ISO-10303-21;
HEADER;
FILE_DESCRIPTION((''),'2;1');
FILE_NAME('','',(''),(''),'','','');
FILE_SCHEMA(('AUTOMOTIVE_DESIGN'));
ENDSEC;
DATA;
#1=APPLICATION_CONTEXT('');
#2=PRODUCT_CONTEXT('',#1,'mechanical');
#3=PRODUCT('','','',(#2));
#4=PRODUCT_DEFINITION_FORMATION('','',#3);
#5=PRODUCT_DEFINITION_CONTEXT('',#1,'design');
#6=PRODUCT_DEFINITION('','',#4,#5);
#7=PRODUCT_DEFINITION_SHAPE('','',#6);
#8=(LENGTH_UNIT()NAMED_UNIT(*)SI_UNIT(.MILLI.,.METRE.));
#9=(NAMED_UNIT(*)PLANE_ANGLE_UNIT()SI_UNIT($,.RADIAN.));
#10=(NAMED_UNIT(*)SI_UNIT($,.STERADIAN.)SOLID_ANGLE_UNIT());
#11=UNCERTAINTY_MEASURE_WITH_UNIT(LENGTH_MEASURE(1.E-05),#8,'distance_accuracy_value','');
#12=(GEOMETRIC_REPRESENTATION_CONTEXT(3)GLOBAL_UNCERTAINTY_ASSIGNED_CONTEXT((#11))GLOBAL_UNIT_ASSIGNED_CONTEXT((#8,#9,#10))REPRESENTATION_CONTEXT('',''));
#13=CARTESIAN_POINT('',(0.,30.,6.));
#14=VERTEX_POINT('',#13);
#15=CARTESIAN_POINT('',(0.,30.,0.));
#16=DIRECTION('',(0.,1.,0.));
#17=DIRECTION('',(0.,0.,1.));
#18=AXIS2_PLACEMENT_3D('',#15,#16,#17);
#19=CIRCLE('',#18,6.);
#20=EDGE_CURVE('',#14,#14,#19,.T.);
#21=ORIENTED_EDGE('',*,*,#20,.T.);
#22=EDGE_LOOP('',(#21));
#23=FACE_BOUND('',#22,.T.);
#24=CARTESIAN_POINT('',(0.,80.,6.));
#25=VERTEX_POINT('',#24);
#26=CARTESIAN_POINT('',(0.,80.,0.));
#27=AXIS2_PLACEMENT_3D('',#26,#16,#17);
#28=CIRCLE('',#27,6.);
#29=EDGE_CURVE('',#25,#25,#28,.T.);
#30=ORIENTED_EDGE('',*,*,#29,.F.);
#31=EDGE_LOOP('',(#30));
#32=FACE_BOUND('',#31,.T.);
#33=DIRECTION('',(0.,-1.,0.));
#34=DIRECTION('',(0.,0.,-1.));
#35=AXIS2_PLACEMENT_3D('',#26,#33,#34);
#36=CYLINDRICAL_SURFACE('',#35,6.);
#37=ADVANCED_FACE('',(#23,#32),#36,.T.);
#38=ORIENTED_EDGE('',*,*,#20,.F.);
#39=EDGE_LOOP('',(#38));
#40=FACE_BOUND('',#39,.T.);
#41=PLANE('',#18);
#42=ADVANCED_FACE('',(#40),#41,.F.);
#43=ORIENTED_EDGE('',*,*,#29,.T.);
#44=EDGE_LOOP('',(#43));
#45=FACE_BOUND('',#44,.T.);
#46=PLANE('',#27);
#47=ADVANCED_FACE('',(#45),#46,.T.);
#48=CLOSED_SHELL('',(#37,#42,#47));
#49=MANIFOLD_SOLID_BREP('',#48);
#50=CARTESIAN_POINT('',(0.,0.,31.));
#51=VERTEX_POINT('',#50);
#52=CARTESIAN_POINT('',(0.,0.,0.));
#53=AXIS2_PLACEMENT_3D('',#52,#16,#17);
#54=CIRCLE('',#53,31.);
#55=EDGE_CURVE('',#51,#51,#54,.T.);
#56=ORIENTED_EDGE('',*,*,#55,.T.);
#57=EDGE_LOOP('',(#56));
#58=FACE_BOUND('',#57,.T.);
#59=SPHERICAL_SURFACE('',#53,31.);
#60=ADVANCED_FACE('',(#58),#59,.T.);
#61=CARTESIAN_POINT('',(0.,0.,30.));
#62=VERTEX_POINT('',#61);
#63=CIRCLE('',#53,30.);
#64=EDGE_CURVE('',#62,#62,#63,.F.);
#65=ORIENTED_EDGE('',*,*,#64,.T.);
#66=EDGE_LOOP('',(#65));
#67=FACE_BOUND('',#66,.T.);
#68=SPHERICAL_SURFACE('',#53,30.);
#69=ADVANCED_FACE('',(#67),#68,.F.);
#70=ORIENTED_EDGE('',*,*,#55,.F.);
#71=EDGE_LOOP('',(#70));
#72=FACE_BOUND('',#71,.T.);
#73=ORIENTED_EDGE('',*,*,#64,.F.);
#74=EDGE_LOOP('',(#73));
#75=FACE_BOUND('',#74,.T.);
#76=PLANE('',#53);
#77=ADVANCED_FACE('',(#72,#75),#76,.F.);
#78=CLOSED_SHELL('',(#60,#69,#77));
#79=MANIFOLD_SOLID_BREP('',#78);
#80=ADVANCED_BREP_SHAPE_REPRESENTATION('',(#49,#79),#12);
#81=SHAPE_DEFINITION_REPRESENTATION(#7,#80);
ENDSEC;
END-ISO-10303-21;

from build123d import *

# Parameters (mm, degrees)
SKETCH4_R           = 31
CUT_EXTRUDE1_DEPTH  = 50
SKETCH6_R           = 6
BOSS_EXTRUDE1_DEPTH = 50


with BuildPart() as part:
    # Sketch2 → Revolve-Thin1 (revolve)
    with BuildSketch(Plane(origin=(0, 0, 0), x_dir=(1, 0, 0), z_dir=(0, 1, 0))):
        with BuildLine():
            ThreePointArc((0, -30), (30, 0), (0, 30))
            Line((0, 30), (0, 31))
            ThreePointArc((0, 31), (31, 0), (0, -31))
            Line((0, -31), (0, -30))
        make_face()
    revolve(axis=Axis((0, 0, 40.153207951), (0, 0, -1)))

    # Sketch4 → Cut-Extrude1 (cut)
    with BuildSketch(Plane(origin=(0, 0, 0), x_dir=(1, 0, 0), z_dir=(0, 1, 0))):
        Circle(SKETCH4_R)
    extrude(amount=-CUT_EXTRUDE1_DEPTH, mode=Mode.SUBTRACT)


with BuildPart() as body_2:
    # Sketch6 → Boss-Extrude1 (new body)
    with BuildSketch(Plane(origin=(0, 30, 0), x_dir=(1, 0, 0), z_dir=(0, 1, 0))):
        with Locations(Location((0, 0, 0), (0, 0, 270))):
            Circle(SKETCH6_R)
    extrude(amount=BOSS_EXTRUDE1_DEPTH)


solid = Compound([part.part, body_2.part])
